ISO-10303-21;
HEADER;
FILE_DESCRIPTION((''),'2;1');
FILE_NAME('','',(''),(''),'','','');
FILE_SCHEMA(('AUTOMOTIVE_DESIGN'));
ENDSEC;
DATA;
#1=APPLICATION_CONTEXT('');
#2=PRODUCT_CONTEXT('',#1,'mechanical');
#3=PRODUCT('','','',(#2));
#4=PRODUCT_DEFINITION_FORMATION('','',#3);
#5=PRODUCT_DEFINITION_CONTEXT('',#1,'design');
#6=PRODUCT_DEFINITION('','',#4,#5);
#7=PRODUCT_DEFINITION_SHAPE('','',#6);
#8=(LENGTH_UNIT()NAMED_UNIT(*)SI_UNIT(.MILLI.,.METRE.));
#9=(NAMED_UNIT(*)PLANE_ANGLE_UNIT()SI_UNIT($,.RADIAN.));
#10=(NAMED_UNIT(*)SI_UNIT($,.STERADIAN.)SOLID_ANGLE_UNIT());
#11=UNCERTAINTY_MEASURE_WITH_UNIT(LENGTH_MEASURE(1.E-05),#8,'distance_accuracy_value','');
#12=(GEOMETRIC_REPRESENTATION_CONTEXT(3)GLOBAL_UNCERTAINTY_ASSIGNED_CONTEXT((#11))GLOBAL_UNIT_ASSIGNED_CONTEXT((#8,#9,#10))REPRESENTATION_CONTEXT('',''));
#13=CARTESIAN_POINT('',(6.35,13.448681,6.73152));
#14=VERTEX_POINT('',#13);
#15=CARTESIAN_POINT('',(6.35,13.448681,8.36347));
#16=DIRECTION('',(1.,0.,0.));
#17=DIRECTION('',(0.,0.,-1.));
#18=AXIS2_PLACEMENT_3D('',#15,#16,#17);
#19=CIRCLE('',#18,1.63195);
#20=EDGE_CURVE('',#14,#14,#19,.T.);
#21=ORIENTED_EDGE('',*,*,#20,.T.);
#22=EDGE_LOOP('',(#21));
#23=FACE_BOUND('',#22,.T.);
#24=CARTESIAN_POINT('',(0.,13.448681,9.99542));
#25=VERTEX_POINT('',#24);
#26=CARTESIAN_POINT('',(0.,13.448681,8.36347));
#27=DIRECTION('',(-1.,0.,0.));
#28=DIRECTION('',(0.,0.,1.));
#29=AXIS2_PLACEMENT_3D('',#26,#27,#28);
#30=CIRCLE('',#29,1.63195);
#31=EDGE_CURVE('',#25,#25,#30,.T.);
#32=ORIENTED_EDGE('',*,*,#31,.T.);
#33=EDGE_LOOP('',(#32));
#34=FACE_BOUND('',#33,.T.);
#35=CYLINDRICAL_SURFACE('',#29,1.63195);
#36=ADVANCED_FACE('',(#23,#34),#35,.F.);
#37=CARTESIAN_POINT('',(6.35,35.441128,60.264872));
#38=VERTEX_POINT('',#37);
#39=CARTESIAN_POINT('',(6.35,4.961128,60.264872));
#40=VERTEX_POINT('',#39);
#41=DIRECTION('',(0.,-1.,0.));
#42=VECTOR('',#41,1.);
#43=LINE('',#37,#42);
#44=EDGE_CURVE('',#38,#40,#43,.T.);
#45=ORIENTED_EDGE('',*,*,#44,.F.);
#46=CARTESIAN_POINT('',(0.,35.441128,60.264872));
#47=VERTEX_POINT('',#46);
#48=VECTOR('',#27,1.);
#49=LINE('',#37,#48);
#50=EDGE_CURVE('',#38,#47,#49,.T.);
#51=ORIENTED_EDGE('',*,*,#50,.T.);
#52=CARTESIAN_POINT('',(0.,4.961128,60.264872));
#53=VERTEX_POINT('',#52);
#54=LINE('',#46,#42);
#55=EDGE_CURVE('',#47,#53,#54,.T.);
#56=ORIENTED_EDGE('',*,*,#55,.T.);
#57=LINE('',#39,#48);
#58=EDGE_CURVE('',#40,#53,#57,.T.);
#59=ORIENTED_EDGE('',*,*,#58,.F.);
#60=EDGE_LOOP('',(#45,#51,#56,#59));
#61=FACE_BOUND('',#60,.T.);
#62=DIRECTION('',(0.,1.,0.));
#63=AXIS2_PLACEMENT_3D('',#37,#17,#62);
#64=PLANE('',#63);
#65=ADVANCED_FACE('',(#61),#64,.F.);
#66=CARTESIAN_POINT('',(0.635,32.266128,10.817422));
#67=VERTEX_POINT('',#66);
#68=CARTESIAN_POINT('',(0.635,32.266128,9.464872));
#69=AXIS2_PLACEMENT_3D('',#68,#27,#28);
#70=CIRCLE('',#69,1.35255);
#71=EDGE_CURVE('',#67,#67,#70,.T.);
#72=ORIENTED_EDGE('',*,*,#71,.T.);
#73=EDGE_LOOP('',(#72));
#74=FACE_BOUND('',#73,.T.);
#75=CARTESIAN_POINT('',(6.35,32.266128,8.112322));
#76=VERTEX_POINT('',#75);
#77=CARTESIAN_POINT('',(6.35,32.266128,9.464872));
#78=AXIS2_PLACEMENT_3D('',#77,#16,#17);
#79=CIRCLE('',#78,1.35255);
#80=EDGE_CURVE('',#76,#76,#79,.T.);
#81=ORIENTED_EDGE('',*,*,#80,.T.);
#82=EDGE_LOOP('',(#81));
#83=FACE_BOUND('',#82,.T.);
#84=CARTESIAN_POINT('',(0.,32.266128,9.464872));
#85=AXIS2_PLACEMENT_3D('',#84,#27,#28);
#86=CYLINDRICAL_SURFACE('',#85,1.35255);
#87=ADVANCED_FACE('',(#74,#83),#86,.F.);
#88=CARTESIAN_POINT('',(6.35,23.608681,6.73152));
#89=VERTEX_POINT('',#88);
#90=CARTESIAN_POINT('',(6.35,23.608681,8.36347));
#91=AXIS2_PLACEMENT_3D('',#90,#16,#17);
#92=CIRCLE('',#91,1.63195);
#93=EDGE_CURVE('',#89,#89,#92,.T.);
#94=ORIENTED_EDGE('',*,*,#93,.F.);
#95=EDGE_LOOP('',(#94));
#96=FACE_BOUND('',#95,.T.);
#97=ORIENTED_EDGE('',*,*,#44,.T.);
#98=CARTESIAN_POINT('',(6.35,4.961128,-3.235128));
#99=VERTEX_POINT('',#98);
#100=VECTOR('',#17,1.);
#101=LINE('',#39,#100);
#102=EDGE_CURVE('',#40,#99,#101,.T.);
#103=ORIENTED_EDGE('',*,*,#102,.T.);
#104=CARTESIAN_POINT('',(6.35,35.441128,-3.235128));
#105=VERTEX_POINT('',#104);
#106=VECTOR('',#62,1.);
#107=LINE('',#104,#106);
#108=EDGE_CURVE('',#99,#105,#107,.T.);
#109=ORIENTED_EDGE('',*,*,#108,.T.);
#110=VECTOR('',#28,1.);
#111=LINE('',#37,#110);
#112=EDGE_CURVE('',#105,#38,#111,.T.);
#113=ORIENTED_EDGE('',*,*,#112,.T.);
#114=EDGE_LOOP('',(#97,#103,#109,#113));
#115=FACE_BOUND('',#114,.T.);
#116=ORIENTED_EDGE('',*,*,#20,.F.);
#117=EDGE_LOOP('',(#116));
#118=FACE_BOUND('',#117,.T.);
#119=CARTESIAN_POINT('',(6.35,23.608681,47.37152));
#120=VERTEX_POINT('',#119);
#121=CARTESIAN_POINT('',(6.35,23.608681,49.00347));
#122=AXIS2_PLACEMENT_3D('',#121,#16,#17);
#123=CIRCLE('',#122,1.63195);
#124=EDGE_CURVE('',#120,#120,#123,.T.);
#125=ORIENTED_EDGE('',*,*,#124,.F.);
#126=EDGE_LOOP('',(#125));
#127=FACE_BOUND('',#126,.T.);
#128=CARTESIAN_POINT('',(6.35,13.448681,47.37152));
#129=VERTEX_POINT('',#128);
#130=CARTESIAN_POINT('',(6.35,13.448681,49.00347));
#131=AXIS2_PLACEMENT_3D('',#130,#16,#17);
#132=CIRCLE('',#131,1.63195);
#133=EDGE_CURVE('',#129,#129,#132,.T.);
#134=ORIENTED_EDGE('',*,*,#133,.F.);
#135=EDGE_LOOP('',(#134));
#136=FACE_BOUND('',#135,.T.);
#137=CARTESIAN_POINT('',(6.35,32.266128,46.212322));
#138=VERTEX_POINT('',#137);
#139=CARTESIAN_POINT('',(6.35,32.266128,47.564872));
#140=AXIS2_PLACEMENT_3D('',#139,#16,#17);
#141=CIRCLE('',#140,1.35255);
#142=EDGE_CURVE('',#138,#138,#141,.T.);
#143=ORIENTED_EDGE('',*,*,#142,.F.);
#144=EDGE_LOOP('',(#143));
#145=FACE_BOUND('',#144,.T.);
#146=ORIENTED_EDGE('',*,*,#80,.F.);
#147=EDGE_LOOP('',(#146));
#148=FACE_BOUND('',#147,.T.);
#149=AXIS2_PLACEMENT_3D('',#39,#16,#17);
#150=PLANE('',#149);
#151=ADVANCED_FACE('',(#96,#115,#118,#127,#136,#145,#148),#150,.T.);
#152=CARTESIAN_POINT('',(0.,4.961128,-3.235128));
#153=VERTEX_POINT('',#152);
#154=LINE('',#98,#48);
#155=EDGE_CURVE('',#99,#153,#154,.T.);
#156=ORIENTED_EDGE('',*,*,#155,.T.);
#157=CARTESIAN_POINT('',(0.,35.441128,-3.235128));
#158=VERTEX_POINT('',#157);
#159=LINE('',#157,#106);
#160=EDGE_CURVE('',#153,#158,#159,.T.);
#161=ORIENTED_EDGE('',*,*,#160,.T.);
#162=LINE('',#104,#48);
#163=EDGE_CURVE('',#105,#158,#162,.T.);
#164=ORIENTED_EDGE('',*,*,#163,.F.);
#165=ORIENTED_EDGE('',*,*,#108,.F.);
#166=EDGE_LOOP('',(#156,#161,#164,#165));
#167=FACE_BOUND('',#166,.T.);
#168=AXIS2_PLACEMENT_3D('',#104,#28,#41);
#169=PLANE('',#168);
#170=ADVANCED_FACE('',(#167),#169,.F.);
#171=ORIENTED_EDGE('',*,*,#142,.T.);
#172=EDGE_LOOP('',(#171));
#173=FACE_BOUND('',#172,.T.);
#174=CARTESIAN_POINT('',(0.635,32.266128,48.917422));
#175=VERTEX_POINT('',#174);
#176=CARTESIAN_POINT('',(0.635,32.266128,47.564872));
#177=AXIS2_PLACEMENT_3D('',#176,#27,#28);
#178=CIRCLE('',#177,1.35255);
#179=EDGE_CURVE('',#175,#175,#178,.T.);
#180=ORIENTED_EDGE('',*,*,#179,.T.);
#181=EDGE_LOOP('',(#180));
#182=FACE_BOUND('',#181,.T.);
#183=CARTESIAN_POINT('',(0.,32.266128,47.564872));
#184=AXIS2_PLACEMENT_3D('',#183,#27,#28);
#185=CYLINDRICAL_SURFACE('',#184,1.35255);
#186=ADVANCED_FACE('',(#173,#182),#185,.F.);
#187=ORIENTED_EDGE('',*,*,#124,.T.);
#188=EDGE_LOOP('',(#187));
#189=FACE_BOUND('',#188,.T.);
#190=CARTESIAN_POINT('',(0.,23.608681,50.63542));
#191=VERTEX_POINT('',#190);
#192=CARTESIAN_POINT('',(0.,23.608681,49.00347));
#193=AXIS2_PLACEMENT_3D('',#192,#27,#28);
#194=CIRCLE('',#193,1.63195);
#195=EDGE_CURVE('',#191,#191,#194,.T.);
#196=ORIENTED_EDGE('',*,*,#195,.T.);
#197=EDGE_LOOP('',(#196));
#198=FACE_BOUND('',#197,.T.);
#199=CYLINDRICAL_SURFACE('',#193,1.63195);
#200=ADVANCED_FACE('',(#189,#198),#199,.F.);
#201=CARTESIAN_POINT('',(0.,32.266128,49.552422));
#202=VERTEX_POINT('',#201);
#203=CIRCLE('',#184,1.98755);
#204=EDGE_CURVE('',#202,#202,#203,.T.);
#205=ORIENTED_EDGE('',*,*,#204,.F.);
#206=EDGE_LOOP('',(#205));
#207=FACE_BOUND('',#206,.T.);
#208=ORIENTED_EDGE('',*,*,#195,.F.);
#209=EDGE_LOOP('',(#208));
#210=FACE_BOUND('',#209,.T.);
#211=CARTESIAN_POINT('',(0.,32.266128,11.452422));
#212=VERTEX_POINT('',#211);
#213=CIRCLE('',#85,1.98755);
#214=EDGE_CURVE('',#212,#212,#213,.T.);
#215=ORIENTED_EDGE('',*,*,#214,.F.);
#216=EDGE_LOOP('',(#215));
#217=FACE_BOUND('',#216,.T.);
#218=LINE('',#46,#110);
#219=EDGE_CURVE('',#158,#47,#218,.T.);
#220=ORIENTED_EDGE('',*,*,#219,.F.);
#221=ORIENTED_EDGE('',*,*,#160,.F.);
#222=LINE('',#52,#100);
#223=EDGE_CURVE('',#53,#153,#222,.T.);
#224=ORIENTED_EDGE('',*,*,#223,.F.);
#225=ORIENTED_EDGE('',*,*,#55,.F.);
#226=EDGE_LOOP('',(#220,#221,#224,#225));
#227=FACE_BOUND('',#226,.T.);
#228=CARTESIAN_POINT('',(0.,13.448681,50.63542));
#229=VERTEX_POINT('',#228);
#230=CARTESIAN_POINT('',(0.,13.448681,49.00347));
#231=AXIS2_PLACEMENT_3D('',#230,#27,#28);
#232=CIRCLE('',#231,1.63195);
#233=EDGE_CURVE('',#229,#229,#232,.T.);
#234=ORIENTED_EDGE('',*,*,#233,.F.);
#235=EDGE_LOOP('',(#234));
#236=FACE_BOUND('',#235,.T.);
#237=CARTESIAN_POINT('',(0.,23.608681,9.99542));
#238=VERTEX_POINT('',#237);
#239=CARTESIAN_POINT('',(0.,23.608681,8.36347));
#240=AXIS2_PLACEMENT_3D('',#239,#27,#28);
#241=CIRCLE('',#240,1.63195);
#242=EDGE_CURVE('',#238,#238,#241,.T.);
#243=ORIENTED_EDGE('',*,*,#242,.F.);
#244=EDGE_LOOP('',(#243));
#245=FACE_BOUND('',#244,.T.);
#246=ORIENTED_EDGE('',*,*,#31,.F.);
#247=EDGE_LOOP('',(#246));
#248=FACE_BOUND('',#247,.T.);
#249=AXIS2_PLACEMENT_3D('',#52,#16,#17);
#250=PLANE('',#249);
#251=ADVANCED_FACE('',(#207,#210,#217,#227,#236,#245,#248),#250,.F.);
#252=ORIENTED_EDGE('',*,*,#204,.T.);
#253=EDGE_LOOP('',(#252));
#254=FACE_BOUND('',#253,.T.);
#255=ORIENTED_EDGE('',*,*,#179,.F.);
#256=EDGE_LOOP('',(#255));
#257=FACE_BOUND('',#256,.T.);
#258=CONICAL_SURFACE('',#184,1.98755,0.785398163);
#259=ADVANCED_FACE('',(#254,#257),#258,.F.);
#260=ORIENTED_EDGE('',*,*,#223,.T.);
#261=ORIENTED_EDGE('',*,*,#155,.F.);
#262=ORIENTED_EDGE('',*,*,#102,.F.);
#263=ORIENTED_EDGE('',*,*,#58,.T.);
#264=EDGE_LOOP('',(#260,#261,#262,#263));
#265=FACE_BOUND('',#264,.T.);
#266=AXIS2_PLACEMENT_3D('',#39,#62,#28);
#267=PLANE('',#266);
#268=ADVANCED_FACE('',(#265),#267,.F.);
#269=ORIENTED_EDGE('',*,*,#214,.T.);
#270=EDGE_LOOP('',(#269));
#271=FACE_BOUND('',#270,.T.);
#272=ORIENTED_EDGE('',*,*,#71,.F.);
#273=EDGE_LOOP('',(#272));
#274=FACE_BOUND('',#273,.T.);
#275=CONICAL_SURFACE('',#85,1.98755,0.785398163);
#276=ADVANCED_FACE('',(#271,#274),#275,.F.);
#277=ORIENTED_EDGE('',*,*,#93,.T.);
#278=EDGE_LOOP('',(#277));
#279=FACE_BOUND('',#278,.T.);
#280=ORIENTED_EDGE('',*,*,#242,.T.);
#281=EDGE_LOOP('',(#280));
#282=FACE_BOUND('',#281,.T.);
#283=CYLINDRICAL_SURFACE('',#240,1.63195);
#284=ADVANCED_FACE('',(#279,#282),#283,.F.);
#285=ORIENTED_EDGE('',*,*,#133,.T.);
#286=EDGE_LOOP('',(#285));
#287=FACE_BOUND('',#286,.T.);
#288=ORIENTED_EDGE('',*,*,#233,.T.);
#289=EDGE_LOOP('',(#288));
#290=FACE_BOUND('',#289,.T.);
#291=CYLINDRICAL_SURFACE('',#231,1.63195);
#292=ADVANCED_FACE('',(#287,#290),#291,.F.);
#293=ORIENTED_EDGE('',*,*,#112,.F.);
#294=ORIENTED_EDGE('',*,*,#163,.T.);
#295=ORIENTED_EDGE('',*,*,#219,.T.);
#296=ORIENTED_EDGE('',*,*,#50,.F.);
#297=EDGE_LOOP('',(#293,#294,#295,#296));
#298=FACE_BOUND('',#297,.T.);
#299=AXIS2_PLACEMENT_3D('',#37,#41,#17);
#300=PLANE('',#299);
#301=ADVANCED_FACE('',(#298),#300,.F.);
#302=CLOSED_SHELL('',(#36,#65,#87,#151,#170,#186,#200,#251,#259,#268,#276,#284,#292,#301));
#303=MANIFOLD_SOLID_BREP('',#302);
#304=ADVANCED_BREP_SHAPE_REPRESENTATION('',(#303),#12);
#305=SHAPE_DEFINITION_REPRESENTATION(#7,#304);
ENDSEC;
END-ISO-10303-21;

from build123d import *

# Parameters (mm, degrees)
SKETCH1_W                           = 63.5
SKETCH1_H                           = 30.48
BOSS_EXTRUDE1_DEPTH                 = 6.35
TAP_DRILL_FOR_6_32_TAP1_D           = 2.7051
TAP_DRILL_FOR_6_32_TAP1_DEPTH       = 6.35
TAP_DRILL_FOR_6_32_TAP1_CSINK_D     = 3.9751
TAP_DRILL_FOR_6_32_TAP1_CSINK_ANGLE = 90
LPATTERN1_COUNT                     = 2
LPATTERN1_PITCH                     = 40.64
LPATTERN1_COUNT_DIR2                = 2
LPATTERN1_PITCH_DIR2                = 10.16


with BuildPart() as part:
    # Sketch1 → Boss-Extrude1 (new body)
    with BuildSketch(Plane(origin=(0, 0, 0), x_dir=(0, 0, -1), z_dir=(1, 0, 0))):
        with Locations((-28.514872299, 20.201128374)):
            Rectangle(SKETCH1_W, SKETCH1_H)
    extrude(amount=BOSS_EXTRUDE1_DEPTH)

    # Tap Drill for #6-32 Tap1
    with Locations(Plane.ZY):
        with Locations((9.464872299, 32.266128374), (47.564872299, 32.266128374)):
            CounterSinkHole(TAP_DRILL_FOR_6_32_TAP1_D / 2, TAP_DRILL_FOR_6_32_TAP1_CSINK_D / 2, depth=TAP_DRILL_FOR_6_32_TAP1_DEPTH, counter_sink_angle=TAP_DRILL_FOR_6_32_TAP1_CSINK_ANGLE)

    # Sketch8 → #5 Clearance Hole1 (revolve, cut)
    with BuildSketch(Plane(origin=(0, 23.60868099, 8.363470458), x_dir=(0, 0, 1), z_dir=(0, 1, 0))):
        Polygon((0, 0), (0, 13.680574487), (1.63195, 12.7), (1.63195, 0), align=None)
    f_5_clearance_hole1 = revolve(axis=Axis((-6.35, 23.60868099, 8.363470458), (1, 0, 0)), mode=Mode.SUBTRACT)

    # LPattern1: 5 Clearance Hole1 2 × 2
    with Locations(*[(0, -j * LPATTERN1_PITCH_DIR2, i * LPATTERN1_PITCH) for i in range(LPATTERN1_COUNT) for j in range(LPATTERN1_COUNT_DIR2) if (i, j) != (0, 0)]):
        add(f_5_clearance_hole1, mode=Mode.SUBTRACT)


solid = part.part
